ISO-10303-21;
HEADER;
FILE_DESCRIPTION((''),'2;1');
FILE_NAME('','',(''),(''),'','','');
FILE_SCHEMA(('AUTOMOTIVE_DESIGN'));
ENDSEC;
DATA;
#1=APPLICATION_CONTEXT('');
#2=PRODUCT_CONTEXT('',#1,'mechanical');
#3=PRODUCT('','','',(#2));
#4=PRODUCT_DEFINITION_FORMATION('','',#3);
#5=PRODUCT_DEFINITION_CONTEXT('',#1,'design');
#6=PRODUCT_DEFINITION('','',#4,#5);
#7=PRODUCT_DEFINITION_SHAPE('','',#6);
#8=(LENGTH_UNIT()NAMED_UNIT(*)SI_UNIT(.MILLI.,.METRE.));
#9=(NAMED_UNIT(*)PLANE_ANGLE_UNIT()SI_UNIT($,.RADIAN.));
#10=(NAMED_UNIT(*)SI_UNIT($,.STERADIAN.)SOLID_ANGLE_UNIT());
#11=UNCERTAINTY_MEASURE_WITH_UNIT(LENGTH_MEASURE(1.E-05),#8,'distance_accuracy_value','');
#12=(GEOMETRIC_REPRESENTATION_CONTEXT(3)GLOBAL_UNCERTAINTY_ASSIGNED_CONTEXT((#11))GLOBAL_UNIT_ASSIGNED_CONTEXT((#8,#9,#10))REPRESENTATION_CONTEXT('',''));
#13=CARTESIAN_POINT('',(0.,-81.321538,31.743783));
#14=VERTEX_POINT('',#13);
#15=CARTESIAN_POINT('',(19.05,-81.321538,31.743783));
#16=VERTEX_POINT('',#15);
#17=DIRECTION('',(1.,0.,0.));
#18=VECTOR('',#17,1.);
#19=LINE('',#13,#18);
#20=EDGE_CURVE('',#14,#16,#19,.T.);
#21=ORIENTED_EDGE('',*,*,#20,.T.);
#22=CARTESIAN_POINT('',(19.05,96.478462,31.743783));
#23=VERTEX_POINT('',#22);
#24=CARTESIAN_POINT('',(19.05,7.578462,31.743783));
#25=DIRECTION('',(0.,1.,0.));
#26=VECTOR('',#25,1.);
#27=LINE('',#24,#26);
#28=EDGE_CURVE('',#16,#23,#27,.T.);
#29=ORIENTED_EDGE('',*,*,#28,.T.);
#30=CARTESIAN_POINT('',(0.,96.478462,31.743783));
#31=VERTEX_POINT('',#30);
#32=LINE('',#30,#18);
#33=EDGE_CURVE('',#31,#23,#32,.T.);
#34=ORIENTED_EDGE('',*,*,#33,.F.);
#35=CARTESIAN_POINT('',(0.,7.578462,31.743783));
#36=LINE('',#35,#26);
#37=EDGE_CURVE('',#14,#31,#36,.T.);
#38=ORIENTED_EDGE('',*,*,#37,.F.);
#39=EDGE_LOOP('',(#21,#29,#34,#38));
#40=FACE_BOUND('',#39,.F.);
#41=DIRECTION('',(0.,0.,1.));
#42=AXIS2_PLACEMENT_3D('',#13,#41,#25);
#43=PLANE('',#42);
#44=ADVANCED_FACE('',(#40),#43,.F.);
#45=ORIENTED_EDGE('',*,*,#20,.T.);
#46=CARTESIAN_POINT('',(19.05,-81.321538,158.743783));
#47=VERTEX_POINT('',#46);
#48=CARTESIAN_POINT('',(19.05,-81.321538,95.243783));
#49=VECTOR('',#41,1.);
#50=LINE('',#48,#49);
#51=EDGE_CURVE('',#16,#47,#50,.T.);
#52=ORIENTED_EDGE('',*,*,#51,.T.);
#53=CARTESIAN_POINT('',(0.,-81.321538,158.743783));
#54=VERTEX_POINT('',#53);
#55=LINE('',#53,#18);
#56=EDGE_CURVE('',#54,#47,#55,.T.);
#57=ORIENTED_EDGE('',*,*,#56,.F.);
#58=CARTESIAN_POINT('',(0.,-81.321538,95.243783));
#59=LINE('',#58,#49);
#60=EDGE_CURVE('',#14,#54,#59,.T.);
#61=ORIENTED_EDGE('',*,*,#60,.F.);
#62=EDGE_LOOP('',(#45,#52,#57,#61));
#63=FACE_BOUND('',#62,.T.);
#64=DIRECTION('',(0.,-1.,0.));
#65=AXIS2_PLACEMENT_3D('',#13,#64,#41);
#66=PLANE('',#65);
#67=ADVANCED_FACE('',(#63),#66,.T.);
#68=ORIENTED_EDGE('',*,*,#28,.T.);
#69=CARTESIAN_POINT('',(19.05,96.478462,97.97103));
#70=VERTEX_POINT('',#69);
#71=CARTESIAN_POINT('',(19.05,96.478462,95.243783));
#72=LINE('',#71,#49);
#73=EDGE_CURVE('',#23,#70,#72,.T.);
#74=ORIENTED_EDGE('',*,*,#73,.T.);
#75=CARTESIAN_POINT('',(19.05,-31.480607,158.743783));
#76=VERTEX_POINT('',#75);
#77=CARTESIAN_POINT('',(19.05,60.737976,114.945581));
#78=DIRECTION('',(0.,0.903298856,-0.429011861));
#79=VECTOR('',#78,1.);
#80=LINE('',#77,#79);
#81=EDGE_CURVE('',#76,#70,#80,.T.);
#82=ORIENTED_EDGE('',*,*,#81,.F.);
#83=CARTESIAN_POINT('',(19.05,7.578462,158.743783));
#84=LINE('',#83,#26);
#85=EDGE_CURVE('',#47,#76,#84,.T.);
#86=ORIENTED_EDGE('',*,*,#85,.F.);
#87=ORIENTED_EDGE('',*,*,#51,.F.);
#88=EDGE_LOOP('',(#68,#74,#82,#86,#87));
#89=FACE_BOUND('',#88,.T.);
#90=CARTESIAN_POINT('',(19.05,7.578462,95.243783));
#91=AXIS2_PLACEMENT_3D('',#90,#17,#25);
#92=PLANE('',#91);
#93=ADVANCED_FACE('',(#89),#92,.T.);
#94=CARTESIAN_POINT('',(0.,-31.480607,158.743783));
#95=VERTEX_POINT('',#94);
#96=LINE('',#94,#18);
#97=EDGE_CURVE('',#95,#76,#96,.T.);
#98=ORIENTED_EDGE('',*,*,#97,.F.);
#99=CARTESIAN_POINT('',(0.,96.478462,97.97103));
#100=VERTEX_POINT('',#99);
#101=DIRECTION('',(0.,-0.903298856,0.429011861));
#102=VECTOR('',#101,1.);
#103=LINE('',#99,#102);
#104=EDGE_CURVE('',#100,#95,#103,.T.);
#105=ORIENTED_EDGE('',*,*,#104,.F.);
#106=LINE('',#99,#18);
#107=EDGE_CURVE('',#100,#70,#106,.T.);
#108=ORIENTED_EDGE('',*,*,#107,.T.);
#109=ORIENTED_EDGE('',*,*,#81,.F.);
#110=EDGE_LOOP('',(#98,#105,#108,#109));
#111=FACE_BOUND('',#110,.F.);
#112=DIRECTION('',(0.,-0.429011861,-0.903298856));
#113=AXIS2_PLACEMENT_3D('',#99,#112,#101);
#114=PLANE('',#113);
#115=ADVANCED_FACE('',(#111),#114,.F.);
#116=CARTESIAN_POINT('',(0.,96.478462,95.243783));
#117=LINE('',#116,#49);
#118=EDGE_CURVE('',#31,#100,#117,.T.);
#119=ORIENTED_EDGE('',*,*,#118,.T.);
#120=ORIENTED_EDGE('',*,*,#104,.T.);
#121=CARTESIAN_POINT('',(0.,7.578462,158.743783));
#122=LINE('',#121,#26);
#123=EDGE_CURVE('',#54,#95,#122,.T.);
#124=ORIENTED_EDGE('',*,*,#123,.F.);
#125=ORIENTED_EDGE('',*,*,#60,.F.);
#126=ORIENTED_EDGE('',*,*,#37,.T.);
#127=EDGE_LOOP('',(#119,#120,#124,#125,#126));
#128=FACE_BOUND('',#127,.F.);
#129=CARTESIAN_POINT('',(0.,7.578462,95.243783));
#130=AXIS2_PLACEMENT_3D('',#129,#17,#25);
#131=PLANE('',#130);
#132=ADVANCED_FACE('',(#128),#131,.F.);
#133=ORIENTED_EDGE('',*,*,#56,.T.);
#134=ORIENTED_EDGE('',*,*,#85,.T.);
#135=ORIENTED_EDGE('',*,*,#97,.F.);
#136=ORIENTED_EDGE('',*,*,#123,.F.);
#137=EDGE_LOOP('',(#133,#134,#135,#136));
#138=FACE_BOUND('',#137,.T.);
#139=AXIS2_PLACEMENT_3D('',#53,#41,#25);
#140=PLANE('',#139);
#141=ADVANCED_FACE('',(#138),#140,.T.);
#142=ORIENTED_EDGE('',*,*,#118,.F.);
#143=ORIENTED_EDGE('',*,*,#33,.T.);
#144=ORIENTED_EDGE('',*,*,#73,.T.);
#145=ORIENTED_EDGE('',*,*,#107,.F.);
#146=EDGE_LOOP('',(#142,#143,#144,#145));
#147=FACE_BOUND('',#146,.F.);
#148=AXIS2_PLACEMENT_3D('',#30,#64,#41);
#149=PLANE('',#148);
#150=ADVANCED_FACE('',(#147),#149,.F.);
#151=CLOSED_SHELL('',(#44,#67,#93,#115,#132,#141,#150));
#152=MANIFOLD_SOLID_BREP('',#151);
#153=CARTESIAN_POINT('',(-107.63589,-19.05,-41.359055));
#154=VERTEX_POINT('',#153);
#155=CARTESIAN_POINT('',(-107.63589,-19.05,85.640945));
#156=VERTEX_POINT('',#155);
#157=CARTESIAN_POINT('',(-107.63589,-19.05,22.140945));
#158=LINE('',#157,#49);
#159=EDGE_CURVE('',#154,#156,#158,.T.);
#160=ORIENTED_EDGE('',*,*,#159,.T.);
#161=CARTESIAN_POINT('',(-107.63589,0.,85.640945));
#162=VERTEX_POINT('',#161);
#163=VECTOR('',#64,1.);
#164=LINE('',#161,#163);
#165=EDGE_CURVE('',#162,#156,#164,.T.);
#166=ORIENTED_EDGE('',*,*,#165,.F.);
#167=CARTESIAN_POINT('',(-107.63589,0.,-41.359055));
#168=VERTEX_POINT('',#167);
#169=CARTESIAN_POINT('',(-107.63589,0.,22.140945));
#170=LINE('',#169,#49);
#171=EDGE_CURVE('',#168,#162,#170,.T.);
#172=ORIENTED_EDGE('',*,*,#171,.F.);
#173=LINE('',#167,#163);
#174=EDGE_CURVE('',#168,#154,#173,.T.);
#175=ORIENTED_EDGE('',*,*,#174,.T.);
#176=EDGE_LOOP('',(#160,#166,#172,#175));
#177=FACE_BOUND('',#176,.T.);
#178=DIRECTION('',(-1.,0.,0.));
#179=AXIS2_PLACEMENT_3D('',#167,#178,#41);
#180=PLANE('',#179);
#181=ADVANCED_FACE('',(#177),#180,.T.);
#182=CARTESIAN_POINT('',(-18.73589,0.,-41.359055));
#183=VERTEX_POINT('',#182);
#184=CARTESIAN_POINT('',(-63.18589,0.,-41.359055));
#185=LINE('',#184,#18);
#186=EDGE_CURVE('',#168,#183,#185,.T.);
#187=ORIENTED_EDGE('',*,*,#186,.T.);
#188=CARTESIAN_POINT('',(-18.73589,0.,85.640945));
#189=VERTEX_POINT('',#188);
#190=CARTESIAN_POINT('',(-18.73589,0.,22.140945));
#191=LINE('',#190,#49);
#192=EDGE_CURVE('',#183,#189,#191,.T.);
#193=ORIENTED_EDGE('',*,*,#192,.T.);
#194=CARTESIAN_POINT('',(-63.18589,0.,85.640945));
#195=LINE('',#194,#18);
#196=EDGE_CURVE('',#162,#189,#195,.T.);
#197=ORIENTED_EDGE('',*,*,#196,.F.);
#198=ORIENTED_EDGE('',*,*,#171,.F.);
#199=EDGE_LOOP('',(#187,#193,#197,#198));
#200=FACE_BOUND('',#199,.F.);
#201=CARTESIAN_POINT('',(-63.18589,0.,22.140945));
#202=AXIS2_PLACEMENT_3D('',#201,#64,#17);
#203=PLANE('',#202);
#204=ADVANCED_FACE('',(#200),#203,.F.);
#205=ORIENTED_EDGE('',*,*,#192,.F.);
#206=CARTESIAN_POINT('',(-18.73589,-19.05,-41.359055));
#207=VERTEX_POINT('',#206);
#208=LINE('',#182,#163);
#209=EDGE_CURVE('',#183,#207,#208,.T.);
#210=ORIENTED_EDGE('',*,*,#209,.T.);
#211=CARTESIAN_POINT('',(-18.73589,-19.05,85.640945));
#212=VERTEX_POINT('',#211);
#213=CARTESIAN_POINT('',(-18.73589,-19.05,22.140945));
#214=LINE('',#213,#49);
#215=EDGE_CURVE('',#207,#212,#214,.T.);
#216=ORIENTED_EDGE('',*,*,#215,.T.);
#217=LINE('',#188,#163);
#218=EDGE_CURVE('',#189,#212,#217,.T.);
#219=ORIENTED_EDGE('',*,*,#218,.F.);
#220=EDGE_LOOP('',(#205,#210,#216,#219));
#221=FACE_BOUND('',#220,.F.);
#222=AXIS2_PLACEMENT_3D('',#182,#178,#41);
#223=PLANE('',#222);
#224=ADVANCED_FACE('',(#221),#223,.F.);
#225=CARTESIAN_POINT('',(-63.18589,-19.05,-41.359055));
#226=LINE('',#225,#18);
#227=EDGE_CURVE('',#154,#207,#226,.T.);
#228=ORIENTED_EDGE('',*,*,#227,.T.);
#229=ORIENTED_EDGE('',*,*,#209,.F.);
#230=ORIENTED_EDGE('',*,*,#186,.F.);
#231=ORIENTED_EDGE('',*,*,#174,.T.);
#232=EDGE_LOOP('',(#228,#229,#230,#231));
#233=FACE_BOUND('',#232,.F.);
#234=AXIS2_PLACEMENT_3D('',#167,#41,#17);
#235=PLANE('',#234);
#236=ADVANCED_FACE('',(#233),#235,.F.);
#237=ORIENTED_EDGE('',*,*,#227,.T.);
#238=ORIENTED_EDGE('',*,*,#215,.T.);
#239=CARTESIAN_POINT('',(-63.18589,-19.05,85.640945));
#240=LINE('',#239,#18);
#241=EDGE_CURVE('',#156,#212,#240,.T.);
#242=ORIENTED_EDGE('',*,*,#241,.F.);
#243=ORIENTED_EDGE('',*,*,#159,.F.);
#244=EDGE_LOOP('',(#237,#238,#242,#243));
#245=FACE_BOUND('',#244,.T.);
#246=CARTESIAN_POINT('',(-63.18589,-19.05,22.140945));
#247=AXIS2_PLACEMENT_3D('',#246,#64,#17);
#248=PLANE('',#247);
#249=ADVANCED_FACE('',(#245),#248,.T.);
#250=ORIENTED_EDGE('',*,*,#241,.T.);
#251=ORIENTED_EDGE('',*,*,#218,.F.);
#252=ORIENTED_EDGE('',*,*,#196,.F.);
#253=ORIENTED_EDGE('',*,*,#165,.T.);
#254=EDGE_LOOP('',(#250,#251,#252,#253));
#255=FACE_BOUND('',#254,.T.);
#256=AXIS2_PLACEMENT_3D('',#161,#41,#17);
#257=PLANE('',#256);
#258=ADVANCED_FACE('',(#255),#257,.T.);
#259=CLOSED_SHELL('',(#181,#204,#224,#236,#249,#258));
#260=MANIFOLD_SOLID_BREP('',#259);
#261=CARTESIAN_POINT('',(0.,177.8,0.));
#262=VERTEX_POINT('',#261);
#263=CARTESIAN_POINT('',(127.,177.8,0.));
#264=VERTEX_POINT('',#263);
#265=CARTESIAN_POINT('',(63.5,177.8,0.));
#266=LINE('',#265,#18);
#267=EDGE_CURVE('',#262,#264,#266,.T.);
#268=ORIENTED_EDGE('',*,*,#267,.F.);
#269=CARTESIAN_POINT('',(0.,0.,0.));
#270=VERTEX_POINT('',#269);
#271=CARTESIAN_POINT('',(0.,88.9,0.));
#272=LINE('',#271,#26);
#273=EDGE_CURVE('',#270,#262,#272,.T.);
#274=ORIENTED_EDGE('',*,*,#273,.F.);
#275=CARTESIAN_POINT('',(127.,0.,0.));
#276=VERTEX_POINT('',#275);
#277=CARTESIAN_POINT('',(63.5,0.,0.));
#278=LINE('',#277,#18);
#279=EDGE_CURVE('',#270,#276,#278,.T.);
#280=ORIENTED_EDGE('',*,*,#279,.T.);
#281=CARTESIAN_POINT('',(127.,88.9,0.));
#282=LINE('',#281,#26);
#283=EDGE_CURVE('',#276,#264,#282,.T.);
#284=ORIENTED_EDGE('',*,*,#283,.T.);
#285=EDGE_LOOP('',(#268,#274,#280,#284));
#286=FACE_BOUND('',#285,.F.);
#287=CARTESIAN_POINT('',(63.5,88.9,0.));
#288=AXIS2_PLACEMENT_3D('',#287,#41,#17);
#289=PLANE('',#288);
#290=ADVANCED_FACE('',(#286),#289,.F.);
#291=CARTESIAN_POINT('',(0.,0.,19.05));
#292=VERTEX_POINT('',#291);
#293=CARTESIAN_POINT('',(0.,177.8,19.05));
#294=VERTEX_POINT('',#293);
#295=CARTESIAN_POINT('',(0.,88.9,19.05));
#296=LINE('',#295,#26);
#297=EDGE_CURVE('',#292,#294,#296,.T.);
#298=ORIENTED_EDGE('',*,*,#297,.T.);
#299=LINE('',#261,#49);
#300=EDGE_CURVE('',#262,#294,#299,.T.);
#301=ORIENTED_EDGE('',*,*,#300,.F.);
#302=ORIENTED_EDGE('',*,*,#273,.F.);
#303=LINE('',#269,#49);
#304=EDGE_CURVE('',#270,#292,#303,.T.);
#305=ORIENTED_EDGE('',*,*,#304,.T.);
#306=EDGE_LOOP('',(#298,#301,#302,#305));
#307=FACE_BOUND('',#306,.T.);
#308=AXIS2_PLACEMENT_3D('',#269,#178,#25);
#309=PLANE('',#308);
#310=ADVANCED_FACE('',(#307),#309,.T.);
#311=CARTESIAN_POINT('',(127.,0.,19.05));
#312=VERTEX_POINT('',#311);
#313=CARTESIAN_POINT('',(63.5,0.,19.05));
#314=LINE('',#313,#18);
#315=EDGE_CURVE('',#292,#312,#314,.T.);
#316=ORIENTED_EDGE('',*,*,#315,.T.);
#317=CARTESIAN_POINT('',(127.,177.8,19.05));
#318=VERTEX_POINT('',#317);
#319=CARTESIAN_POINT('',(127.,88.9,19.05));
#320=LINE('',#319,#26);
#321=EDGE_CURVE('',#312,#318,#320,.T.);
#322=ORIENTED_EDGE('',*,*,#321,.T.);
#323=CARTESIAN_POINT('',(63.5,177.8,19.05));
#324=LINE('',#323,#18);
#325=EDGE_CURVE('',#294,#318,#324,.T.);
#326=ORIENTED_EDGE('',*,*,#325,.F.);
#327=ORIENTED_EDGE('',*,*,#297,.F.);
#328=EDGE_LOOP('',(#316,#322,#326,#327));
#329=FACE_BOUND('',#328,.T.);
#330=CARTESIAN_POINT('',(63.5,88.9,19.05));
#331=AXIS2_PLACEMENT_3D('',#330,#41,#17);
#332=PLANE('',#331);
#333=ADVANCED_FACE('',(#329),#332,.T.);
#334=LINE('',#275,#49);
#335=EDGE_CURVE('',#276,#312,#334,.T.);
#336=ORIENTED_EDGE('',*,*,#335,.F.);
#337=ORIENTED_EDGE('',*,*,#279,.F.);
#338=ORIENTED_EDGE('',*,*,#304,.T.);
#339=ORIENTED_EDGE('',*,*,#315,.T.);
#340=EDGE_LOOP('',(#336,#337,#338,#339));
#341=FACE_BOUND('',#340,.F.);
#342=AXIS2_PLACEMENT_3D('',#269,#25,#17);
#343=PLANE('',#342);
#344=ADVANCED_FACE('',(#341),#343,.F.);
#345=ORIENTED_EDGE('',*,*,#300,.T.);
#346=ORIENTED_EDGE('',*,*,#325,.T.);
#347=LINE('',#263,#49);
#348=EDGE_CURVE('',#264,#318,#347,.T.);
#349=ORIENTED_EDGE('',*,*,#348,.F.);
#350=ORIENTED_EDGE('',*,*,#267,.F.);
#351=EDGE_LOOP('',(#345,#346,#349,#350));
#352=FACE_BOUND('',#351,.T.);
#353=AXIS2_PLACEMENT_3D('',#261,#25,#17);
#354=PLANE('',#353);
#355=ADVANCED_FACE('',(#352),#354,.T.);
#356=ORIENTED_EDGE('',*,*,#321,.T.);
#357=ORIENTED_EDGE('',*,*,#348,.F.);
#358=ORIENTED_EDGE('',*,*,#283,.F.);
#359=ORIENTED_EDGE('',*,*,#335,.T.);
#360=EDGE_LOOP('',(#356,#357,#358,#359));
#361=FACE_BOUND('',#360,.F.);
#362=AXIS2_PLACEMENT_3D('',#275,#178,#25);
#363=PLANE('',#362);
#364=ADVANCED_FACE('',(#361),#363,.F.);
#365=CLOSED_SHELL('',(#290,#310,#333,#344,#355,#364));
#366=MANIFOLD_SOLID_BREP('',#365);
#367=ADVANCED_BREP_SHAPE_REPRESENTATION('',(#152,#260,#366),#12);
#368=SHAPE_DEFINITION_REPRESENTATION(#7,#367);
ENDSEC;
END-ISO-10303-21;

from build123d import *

# Parameters (mm, degrees)
F0_W     = 127
F0_H     = 177.8
F1_DEPTH = 19.05
F2_W     = 177.8
F2_H     = 127
F3_DEPTH = 19.05
F5_DEPTH = 127.001
F6_W     = 88.9
F6_H     = 127
F7_DEPTH = 19.05


with BuildPart() as f1:
    # F0 (on Top) → F1 (new body)
    with BuildSketch(Plane.XY):
        with Locations((63.5, 88.9)):
            Rectangle(F0_W, F0_H)
    extrude(amount=F1_DEPTH)


with BuildPart() as f3:
    # F2 (on Right) → F3 (new body)
    with BuildSketch(Plane.YZ):
        with Locations((7.578462, 95.243783)):
            Rectangle(F2_W, F2_H)
    extrude(amount=F3_DEPTH)

    # F4 (on face) → F5 (cut, through all)
    with BuildSketch(Plane(origin=(0, 0, 0), x_dir=(0, -1, 0), z_dir=(-1, 0, 0))):
        Polygon((-96.478462, 97.97103), (31.480607, 158.743783), (-96.478462, 158.743783), align=None)
    extrude(amount=-F5_DEPTH, mode=Mode.SUBTRACT)


with BuildPart() as f7:
    # F6 (on Front) → F7 (new body)
    with BuildSketch(Plane.XZ):
        with Locations((-63.18589, 22.140945)):
            Rectangle(F6_W, F6_H)
    extrude(amount=F7_DEPTH)


solid = Compound([f1.part, f3.part, f7.part])
